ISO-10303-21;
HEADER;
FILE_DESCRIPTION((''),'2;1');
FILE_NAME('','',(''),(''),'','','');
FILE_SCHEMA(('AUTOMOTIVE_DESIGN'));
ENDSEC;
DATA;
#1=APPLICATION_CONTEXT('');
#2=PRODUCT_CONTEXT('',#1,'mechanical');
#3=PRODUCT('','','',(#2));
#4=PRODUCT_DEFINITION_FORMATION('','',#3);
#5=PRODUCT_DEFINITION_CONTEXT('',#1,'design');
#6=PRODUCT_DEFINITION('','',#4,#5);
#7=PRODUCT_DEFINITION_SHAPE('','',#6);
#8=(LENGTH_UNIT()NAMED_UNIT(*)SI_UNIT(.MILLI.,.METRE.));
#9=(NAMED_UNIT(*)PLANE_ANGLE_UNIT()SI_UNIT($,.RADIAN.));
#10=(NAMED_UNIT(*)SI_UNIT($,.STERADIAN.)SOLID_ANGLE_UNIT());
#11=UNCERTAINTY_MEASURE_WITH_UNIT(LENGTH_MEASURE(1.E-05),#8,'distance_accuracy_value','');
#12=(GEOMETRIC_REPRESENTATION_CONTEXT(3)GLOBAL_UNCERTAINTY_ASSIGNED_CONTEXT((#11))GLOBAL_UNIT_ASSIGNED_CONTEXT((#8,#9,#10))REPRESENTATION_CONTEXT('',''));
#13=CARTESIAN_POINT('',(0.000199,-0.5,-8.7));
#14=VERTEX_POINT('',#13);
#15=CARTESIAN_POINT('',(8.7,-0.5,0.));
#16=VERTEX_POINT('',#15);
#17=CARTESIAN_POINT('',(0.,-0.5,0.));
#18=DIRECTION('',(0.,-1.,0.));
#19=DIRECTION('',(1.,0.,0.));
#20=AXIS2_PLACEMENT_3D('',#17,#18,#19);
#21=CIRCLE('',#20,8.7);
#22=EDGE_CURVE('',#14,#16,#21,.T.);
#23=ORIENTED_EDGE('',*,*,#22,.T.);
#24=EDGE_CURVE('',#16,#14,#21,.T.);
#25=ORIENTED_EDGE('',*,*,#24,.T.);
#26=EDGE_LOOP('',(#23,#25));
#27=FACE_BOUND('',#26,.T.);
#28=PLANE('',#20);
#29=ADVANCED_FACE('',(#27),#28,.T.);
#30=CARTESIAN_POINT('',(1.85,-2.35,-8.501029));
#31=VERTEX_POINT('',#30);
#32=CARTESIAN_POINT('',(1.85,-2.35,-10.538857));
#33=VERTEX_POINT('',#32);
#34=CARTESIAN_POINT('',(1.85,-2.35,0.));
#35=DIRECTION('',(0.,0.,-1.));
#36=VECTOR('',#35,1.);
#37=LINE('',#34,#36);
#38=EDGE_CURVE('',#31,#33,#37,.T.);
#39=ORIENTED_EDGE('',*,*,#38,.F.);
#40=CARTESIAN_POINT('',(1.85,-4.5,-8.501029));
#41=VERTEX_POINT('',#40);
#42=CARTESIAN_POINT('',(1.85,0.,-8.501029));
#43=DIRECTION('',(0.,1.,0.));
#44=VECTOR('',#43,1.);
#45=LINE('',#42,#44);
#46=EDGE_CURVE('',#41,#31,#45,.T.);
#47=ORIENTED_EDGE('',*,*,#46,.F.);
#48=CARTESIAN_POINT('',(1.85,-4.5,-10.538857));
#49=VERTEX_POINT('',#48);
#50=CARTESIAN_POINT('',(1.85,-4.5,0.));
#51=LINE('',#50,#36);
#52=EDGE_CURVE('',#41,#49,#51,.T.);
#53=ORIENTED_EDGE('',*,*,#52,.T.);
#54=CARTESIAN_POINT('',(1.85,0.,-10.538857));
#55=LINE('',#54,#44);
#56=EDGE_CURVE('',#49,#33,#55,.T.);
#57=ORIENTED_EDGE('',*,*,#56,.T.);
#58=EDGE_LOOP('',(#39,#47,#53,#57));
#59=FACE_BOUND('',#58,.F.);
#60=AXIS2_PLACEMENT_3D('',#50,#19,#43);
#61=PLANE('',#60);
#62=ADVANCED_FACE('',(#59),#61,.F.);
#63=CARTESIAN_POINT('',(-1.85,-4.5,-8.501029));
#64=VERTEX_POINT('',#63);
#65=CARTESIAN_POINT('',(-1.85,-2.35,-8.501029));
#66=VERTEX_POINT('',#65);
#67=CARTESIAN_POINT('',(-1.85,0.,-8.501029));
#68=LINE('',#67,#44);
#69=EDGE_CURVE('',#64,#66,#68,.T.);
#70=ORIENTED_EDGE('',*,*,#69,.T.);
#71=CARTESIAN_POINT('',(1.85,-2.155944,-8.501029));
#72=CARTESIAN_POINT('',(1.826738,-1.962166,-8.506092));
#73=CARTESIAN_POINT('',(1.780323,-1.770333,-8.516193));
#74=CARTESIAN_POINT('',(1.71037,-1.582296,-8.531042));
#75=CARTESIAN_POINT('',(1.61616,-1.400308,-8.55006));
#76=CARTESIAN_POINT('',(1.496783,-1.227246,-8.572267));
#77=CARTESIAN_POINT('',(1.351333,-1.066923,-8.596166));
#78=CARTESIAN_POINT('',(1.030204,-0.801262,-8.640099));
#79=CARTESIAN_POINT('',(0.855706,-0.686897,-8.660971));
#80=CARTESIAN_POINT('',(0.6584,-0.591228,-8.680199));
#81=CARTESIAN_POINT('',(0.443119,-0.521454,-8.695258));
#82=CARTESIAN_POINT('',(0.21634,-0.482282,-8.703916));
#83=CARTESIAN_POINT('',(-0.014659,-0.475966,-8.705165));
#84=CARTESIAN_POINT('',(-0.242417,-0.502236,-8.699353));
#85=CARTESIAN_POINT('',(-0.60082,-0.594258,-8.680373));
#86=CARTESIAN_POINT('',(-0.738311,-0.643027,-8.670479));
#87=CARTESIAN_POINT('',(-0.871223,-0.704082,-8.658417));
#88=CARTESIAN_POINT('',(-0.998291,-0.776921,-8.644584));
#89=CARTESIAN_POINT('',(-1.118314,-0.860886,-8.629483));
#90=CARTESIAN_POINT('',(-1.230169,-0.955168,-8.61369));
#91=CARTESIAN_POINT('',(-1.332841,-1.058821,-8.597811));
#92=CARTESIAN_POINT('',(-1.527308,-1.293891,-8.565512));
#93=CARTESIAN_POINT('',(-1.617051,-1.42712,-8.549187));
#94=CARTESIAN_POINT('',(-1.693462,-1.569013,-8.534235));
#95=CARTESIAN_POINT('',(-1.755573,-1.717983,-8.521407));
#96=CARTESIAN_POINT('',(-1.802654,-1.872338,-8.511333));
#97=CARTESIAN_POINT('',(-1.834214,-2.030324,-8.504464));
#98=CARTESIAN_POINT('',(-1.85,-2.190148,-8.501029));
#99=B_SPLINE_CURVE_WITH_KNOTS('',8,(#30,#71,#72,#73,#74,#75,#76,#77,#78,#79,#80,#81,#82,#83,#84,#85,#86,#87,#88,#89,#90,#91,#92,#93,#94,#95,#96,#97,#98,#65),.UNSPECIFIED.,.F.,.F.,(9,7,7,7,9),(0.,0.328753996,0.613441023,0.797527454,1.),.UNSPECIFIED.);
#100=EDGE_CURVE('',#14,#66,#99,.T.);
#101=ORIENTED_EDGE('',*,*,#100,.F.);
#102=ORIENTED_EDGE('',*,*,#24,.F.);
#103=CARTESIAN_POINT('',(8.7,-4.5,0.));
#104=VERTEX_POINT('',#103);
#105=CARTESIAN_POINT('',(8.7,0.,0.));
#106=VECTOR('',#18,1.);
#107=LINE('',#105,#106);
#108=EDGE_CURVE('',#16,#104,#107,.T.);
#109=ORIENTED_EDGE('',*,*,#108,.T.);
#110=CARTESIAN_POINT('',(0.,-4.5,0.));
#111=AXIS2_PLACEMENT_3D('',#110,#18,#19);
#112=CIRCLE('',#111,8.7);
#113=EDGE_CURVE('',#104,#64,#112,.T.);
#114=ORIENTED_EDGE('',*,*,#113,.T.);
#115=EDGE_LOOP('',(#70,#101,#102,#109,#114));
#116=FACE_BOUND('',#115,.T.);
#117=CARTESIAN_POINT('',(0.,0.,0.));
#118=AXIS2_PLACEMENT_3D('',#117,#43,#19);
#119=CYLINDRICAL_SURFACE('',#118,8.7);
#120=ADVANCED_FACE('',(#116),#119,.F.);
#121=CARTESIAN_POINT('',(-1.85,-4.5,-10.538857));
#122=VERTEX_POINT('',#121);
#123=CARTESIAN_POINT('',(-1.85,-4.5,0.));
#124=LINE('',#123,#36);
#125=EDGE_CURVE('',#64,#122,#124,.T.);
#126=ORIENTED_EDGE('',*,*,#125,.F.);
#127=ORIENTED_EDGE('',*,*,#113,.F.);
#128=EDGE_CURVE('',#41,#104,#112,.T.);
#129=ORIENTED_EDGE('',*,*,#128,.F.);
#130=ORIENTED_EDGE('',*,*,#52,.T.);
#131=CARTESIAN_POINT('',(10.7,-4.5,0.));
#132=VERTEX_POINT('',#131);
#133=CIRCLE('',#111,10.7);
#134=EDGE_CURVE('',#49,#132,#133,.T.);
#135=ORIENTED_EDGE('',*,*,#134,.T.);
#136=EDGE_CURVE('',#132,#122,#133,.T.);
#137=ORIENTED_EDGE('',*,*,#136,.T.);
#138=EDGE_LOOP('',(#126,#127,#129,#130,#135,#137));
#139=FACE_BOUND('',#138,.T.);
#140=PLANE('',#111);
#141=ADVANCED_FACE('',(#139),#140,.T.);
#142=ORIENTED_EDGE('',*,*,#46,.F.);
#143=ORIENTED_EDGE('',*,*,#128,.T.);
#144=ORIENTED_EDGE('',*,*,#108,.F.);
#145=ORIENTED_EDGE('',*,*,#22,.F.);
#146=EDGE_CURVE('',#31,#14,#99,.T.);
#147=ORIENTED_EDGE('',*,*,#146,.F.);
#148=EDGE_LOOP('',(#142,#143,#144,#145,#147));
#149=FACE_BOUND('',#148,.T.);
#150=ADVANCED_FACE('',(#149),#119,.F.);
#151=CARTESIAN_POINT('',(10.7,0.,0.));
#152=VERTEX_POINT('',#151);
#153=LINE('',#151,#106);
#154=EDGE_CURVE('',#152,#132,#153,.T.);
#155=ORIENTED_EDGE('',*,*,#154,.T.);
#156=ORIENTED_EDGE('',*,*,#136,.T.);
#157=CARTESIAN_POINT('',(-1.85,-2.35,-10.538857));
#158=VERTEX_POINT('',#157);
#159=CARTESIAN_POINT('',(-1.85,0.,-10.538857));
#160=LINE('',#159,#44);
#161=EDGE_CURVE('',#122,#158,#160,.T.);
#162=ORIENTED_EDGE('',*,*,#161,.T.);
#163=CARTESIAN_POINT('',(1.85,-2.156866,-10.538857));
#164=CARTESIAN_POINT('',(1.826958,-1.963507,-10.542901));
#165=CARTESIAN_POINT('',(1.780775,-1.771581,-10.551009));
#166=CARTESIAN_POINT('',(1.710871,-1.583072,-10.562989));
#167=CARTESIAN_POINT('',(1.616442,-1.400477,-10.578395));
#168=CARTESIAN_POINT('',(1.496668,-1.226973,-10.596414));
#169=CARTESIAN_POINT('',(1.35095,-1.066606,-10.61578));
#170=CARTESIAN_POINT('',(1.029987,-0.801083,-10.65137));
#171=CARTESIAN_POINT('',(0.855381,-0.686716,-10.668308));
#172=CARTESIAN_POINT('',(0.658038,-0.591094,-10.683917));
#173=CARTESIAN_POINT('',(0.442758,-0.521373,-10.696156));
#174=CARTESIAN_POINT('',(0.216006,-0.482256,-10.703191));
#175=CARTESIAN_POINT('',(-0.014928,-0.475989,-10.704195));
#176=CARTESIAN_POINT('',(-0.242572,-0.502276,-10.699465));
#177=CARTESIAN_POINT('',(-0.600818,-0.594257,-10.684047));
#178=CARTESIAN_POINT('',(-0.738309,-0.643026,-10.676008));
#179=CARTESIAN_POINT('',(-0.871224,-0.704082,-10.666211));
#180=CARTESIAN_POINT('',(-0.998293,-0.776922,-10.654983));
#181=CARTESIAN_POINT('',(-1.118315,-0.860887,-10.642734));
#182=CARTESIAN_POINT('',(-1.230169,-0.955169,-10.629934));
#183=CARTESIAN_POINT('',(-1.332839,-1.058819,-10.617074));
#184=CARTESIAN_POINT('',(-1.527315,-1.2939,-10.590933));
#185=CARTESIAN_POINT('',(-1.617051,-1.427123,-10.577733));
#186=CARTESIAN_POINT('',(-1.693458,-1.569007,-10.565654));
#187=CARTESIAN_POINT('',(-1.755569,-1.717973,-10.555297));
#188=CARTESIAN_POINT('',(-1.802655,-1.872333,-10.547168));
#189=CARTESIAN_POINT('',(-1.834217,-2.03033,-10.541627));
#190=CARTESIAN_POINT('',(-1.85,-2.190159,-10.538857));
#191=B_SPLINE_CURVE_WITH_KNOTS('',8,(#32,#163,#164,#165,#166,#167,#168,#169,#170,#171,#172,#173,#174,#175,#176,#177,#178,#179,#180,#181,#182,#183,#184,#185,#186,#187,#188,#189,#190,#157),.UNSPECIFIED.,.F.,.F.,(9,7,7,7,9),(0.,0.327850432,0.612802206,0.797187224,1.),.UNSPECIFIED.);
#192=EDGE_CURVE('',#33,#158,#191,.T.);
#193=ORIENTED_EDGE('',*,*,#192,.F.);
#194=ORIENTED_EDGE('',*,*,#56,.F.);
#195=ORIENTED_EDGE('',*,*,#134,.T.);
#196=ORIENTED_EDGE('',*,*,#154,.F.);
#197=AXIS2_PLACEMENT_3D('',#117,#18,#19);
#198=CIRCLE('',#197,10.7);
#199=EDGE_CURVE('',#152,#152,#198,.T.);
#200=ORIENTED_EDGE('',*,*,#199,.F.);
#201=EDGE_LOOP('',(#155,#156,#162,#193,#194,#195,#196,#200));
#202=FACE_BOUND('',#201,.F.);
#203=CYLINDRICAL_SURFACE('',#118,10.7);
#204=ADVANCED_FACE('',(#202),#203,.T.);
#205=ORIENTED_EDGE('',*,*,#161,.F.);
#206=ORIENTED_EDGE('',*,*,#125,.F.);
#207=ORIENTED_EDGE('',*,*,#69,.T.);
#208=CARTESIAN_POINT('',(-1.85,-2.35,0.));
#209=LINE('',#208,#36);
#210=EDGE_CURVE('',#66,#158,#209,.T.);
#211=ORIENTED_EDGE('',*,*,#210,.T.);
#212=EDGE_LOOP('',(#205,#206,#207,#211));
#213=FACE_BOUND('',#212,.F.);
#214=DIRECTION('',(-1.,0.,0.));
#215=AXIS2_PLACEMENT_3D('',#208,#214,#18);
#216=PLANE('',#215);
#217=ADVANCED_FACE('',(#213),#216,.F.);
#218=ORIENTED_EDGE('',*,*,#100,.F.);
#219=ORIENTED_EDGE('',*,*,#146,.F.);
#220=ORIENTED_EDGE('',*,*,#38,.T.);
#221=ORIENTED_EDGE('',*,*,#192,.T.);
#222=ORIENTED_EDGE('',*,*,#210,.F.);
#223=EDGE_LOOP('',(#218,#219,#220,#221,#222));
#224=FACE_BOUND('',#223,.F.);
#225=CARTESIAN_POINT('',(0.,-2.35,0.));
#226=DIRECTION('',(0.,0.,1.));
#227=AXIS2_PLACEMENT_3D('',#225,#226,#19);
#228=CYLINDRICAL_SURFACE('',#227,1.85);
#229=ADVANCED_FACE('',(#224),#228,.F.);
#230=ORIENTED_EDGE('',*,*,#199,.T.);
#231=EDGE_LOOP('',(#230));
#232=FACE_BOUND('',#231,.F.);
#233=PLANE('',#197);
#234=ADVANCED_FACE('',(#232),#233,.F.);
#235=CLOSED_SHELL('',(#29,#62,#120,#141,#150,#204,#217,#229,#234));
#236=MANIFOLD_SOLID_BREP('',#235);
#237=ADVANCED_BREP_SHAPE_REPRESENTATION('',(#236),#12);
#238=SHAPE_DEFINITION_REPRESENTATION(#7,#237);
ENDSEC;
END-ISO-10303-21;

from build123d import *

# Parameters (mm, degrees)
F2_R     = 10.7
F2_R_2   = 8.7
F3_DEPTH = 4.5
F5_DEPTH = 10.701
F6_DEPTH = 0.5


with BuildPart() as f3:
    # F2 (on Front) → F3 (new body)
    with BuildSketch(Plane.XZ):
        Circle(F2_R)
        Circle(F2_R_2, mode=Mode.SUBTRACT)
    extrude(amount=F3_DEPTH)

    # F4 (on Top) → F5 (cut, through all)
    with BuildSketch(Plane.XY):
        with BuildLine():
            Line((1.85, -4.5), (1.85, -2.35))
            ThreePointArc((1.85, -2.35), (0, -0.5), (-1.85, -2.35))
            Line((-1.85, -2.35), (-1.85, -4.5))
            Line((-1.85, -4.5), (1.85, -4.5))
        make_face()
    extrude(amount=-F5_DEPTH, mode=Mode.SUBTRACT)

    # F2 (on Front) → F6 (join)
    with BuildSketch(Plane.XZ):
        Circle(F2_R_2)
    extrude(amount=F6_DEPTH)


solid = f3.part
